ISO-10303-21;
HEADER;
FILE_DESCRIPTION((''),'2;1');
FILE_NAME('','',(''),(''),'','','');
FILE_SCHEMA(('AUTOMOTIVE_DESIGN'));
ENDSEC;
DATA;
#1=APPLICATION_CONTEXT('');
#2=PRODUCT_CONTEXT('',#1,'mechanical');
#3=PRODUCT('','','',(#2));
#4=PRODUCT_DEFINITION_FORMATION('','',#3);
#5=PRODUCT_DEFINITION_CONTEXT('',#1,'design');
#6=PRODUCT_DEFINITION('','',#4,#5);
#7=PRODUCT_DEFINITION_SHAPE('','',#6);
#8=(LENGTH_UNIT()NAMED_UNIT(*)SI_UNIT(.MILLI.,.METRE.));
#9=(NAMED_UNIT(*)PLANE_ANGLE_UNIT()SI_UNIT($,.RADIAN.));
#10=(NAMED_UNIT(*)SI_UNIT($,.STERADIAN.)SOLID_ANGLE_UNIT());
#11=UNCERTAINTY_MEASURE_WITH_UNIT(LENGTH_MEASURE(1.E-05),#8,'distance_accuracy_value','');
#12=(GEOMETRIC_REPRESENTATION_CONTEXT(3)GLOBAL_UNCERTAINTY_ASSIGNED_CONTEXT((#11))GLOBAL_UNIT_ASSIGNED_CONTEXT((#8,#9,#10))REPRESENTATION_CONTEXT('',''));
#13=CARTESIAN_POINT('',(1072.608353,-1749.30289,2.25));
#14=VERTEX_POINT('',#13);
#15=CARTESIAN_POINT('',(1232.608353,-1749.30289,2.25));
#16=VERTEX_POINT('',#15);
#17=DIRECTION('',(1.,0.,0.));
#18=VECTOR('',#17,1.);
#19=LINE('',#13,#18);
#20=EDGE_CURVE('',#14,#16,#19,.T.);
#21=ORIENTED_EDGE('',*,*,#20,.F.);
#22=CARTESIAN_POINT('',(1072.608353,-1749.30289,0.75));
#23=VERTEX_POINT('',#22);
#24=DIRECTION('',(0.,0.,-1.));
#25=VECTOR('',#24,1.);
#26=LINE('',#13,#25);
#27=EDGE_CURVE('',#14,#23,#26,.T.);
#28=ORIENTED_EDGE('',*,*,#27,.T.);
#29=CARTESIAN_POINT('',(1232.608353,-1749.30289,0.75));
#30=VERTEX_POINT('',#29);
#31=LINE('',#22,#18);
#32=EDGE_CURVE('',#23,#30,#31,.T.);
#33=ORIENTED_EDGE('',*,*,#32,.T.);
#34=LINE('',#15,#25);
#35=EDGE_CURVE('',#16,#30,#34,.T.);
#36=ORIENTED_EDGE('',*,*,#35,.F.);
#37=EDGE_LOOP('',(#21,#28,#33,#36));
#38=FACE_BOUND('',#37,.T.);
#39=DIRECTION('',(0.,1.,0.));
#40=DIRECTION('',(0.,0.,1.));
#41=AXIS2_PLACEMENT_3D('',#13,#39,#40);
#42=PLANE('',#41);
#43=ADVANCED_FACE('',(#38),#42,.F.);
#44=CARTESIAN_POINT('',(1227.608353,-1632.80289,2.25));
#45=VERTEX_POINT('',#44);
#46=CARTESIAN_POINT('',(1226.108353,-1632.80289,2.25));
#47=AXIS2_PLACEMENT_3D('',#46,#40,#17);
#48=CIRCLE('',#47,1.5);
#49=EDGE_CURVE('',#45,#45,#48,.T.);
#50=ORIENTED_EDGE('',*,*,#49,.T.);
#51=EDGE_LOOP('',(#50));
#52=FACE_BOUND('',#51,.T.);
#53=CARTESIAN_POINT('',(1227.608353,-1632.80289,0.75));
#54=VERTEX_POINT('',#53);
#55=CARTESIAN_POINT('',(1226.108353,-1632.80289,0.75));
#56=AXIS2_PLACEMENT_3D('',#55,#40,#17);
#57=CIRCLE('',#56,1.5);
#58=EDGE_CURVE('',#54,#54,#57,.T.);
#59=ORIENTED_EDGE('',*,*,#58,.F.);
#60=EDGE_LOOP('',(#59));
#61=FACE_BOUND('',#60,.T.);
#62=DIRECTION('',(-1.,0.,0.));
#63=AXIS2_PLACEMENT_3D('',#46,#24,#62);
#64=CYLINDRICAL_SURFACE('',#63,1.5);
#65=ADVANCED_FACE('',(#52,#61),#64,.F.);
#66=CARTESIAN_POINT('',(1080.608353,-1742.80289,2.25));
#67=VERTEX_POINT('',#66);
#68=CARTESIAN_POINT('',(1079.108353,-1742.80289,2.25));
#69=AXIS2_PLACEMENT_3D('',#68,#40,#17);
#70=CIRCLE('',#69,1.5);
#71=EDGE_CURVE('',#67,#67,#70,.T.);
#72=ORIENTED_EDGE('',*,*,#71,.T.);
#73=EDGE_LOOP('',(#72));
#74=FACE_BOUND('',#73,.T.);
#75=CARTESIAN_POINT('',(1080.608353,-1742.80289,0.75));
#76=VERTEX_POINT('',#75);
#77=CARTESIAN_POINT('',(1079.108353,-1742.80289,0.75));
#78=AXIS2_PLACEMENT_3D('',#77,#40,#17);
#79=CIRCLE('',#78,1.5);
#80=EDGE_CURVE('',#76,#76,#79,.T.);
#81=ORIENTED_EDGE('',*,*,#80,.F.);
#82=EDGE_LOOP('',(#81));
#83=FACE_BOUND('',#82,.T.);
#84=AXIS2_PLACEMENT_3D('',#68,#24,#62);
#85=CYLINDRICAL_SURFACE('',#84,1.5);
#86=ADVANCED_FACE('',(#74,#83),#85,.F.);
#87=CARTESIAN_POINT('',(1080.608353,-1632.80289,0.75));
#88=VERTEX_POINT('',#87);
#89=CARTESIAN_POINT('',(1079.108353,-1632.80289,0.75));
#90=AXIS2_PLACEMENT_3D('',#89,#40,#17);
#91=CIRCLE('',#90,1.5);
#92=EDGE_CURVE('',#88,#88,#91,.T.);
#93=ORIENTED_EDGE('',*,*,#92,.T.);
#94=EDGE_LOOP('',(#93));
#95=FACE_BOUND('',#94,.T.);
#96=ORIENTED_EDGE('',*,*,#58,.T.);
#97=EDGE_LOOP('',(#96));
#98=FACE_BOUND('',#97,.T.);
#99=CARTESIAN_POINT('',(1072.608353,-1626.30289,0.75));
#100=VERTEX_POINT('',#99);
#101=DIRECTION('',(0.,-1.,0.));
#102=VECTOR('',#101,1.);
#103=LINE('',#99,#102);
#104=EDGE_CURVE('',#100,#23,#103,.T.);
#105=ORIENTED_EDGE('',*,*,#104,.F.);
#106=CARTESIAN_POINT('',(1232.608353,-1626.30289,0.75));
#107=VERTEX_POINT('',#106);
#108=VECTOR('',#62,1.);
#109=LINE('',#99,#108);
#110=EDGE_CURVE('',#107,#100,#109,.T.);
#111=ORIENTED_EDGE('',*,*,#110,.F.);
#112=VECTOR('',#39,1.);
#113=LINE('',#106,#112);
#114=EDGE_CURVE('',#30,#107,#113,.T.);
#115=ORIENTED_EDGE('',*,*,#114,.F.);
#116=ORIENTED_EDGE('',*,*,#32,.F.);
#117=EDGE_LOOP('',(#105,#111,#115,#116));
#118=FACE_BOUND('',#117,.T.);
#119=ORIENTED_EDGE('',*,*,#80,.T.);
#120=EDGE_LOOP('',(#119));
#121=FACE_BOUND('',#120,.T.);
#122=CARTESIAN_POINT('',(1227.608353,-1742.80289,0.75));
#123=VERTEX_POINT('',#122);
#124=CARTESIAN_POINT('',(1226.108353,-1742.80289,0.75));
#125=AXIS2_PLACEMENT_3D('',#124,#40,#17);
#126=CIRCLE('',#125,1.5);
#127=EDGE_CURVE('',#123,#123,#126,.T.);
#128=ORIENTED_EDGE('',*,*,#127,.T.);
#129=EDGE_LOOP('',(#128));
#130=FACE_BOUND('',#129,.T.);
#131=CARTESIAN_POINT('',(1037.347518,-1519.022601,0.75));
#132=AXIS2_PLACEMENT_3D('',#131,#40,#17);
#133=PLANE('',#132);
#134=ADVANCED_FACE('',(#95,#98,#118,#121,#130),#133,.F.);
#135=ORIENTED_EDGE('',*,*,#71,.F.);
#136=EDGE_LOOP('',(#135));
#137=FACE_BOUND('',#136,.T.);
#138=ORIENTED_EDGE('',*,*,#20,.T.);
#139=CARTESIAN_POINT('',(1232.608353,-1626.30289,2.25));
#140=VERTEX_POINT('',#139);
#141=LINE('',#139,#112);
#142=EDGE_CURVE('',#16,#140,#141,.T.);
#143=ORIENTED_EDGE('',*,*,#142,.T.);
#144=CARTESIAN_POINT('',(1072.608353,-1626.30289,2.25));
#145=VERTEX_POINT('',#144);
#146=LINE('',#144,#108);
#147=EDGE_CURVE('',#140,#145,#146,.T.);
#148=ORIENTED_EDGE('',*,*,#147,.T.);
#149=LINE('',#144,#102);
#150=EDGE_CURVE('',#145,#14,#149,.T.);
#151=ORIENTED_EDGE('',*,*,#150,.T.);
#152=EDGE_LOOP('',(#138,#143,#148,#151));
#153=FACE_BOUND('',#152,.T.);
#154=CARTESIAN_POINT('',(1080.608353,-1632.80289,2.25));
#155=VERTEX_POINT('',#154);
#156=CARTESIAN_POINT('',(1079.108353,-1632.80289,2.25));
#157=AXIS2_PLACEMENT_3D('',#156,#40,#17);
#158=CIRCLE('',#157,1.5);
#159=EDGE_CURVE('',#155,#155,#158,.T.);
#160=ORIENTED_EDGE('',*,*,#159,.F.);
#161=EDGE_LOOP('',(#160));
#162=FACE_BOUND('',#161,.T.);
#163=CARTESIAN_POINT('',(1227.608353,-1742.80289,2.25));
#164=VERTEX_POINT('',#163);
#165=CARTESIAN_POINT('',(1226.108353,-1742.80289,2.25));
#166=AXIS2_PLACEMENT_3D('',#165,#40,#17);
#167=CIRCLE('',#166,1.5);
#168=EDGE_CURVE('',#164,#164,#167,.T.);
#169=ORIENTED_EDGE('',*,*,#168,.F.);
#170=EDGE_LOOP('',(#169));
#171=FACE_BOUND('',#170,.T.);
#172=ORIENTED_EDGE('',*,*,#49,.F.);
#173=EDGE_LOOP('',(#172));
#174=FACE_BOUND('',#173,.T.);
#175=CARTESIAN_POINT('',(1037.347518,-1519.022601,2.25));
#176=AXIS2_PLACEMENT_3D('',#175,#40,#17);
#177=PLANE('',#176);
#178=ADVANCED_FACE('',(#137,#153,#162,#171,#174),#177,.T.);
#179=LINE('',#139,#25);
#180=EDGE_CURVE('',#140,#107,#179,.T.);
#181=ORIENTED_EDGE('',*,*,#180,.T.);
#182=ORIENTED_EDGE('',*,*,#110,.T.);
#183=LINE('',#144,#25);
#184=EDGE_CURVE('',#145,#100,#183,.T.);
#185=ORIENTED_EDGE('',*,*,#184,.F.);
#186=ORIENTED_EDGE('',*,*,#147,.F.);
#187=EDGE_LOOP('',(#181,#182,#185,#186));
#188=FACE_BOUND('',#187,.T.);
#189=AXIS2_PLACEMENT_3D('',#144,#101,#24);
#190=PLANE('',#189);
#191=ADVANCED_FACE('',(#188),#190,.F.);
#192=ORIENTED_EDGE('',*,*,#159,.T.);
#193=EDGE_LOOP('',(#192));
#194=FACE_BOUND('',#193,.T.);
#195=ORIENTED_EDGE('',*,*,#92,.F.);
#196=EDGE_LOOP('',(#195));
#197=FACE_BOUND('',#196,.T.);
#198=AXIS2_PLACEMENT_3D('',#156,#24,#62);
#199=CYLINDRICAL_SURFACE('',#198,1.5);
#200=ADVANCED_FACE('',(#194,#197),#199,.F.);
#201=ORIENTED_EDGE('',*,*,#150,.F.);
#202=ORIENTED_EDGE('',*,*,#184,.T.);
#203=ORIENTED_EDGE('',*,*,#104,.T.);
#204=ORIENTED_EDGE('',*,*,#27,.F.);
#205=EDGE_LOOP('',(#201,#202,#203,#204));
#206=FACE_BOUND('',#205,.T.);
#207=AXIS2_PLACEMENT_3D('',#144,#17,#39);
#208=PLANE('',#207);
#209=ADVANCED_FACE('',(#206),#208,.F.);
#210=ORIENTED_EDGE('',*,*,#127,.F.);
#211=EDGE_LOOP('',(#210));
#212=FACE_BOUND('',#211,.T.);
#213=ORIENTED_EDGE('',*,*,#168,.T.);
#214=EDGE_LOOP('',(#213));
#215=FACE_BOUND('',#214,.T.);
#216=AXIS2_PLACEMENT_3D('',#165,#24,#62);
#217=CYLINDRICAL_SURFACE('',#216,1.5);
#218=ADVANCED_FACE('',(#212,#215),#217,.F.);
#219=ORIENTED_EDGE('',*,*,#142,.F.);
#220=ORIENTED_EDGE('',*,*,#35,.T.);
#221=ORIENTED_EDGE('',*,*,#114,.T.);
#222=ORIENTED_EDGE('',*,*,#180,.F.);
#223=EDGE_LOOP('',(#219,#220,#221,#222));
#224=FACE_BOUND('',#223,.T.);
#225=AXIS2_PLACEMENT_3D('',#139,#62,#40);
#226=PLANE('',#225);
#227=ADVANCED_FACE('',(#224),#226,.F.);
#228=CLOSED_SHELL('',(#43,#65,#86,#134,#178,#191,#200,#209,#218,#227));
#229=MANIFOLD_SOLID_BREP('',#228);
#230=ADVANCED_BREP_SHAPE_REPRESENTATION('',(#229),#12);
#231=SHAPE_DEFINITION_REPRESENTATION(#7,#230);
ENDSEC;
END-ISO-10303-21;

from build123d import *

# Parameters (mm, degrees)
SKETCH_1_W      = 1600
SKETCH_1_H      = 1230
SKETCH_1_R      = 15
EXTRUDE_1_DEPTH = 3
SCALE_1_SCALE_X = 0.1
SCALE_1_SCALE_Y = 0.1
SCALE_1_SCALE_Z = 0.5


with BuildPart() as part:
    # 草图1 → 凸台-拉伸1 (new body)
    with BuildSketch(Plane.XY):
        with Locations((1152.60835314, -1687.80288964)):
            Rectangle(SKETCH_1_W, SKETCH_1_H)
        with Locations((417.60835314, -1137.80288964)):
            Circle(SKETCH_1_R, mode=Mode.SUBTRACT)
        with Locations((1887.60835314, -1137.80288964)):
            Circle(SKETCH_1_R, mode=Mode.SUBTRACT)
        with Locations((1887.60835314, -2237.80288964)):
            Circle(SKETCH_1_R, mode=Mode.SUBTRACT)
        with Locations((417.60835314, -2237.80288964)):
            Circle(SKETCH_1_R, mode=Mode.SUBTRACT)
    extrude(amount=EXTRUDE_1_DEPTH)


with BuildPart() as part_1:
    # 缩放比例1: scaled about (1152.60835314, -1687.80288964, 1.5)
    add(part.part.scale((SCALE_1_SCALE_X, SCALE_1_SCALE_Y, SCALE_1_SCALE_Z), about=(1152.60835314, -1687.80288964, 1.5)))


solid = part_1.part
